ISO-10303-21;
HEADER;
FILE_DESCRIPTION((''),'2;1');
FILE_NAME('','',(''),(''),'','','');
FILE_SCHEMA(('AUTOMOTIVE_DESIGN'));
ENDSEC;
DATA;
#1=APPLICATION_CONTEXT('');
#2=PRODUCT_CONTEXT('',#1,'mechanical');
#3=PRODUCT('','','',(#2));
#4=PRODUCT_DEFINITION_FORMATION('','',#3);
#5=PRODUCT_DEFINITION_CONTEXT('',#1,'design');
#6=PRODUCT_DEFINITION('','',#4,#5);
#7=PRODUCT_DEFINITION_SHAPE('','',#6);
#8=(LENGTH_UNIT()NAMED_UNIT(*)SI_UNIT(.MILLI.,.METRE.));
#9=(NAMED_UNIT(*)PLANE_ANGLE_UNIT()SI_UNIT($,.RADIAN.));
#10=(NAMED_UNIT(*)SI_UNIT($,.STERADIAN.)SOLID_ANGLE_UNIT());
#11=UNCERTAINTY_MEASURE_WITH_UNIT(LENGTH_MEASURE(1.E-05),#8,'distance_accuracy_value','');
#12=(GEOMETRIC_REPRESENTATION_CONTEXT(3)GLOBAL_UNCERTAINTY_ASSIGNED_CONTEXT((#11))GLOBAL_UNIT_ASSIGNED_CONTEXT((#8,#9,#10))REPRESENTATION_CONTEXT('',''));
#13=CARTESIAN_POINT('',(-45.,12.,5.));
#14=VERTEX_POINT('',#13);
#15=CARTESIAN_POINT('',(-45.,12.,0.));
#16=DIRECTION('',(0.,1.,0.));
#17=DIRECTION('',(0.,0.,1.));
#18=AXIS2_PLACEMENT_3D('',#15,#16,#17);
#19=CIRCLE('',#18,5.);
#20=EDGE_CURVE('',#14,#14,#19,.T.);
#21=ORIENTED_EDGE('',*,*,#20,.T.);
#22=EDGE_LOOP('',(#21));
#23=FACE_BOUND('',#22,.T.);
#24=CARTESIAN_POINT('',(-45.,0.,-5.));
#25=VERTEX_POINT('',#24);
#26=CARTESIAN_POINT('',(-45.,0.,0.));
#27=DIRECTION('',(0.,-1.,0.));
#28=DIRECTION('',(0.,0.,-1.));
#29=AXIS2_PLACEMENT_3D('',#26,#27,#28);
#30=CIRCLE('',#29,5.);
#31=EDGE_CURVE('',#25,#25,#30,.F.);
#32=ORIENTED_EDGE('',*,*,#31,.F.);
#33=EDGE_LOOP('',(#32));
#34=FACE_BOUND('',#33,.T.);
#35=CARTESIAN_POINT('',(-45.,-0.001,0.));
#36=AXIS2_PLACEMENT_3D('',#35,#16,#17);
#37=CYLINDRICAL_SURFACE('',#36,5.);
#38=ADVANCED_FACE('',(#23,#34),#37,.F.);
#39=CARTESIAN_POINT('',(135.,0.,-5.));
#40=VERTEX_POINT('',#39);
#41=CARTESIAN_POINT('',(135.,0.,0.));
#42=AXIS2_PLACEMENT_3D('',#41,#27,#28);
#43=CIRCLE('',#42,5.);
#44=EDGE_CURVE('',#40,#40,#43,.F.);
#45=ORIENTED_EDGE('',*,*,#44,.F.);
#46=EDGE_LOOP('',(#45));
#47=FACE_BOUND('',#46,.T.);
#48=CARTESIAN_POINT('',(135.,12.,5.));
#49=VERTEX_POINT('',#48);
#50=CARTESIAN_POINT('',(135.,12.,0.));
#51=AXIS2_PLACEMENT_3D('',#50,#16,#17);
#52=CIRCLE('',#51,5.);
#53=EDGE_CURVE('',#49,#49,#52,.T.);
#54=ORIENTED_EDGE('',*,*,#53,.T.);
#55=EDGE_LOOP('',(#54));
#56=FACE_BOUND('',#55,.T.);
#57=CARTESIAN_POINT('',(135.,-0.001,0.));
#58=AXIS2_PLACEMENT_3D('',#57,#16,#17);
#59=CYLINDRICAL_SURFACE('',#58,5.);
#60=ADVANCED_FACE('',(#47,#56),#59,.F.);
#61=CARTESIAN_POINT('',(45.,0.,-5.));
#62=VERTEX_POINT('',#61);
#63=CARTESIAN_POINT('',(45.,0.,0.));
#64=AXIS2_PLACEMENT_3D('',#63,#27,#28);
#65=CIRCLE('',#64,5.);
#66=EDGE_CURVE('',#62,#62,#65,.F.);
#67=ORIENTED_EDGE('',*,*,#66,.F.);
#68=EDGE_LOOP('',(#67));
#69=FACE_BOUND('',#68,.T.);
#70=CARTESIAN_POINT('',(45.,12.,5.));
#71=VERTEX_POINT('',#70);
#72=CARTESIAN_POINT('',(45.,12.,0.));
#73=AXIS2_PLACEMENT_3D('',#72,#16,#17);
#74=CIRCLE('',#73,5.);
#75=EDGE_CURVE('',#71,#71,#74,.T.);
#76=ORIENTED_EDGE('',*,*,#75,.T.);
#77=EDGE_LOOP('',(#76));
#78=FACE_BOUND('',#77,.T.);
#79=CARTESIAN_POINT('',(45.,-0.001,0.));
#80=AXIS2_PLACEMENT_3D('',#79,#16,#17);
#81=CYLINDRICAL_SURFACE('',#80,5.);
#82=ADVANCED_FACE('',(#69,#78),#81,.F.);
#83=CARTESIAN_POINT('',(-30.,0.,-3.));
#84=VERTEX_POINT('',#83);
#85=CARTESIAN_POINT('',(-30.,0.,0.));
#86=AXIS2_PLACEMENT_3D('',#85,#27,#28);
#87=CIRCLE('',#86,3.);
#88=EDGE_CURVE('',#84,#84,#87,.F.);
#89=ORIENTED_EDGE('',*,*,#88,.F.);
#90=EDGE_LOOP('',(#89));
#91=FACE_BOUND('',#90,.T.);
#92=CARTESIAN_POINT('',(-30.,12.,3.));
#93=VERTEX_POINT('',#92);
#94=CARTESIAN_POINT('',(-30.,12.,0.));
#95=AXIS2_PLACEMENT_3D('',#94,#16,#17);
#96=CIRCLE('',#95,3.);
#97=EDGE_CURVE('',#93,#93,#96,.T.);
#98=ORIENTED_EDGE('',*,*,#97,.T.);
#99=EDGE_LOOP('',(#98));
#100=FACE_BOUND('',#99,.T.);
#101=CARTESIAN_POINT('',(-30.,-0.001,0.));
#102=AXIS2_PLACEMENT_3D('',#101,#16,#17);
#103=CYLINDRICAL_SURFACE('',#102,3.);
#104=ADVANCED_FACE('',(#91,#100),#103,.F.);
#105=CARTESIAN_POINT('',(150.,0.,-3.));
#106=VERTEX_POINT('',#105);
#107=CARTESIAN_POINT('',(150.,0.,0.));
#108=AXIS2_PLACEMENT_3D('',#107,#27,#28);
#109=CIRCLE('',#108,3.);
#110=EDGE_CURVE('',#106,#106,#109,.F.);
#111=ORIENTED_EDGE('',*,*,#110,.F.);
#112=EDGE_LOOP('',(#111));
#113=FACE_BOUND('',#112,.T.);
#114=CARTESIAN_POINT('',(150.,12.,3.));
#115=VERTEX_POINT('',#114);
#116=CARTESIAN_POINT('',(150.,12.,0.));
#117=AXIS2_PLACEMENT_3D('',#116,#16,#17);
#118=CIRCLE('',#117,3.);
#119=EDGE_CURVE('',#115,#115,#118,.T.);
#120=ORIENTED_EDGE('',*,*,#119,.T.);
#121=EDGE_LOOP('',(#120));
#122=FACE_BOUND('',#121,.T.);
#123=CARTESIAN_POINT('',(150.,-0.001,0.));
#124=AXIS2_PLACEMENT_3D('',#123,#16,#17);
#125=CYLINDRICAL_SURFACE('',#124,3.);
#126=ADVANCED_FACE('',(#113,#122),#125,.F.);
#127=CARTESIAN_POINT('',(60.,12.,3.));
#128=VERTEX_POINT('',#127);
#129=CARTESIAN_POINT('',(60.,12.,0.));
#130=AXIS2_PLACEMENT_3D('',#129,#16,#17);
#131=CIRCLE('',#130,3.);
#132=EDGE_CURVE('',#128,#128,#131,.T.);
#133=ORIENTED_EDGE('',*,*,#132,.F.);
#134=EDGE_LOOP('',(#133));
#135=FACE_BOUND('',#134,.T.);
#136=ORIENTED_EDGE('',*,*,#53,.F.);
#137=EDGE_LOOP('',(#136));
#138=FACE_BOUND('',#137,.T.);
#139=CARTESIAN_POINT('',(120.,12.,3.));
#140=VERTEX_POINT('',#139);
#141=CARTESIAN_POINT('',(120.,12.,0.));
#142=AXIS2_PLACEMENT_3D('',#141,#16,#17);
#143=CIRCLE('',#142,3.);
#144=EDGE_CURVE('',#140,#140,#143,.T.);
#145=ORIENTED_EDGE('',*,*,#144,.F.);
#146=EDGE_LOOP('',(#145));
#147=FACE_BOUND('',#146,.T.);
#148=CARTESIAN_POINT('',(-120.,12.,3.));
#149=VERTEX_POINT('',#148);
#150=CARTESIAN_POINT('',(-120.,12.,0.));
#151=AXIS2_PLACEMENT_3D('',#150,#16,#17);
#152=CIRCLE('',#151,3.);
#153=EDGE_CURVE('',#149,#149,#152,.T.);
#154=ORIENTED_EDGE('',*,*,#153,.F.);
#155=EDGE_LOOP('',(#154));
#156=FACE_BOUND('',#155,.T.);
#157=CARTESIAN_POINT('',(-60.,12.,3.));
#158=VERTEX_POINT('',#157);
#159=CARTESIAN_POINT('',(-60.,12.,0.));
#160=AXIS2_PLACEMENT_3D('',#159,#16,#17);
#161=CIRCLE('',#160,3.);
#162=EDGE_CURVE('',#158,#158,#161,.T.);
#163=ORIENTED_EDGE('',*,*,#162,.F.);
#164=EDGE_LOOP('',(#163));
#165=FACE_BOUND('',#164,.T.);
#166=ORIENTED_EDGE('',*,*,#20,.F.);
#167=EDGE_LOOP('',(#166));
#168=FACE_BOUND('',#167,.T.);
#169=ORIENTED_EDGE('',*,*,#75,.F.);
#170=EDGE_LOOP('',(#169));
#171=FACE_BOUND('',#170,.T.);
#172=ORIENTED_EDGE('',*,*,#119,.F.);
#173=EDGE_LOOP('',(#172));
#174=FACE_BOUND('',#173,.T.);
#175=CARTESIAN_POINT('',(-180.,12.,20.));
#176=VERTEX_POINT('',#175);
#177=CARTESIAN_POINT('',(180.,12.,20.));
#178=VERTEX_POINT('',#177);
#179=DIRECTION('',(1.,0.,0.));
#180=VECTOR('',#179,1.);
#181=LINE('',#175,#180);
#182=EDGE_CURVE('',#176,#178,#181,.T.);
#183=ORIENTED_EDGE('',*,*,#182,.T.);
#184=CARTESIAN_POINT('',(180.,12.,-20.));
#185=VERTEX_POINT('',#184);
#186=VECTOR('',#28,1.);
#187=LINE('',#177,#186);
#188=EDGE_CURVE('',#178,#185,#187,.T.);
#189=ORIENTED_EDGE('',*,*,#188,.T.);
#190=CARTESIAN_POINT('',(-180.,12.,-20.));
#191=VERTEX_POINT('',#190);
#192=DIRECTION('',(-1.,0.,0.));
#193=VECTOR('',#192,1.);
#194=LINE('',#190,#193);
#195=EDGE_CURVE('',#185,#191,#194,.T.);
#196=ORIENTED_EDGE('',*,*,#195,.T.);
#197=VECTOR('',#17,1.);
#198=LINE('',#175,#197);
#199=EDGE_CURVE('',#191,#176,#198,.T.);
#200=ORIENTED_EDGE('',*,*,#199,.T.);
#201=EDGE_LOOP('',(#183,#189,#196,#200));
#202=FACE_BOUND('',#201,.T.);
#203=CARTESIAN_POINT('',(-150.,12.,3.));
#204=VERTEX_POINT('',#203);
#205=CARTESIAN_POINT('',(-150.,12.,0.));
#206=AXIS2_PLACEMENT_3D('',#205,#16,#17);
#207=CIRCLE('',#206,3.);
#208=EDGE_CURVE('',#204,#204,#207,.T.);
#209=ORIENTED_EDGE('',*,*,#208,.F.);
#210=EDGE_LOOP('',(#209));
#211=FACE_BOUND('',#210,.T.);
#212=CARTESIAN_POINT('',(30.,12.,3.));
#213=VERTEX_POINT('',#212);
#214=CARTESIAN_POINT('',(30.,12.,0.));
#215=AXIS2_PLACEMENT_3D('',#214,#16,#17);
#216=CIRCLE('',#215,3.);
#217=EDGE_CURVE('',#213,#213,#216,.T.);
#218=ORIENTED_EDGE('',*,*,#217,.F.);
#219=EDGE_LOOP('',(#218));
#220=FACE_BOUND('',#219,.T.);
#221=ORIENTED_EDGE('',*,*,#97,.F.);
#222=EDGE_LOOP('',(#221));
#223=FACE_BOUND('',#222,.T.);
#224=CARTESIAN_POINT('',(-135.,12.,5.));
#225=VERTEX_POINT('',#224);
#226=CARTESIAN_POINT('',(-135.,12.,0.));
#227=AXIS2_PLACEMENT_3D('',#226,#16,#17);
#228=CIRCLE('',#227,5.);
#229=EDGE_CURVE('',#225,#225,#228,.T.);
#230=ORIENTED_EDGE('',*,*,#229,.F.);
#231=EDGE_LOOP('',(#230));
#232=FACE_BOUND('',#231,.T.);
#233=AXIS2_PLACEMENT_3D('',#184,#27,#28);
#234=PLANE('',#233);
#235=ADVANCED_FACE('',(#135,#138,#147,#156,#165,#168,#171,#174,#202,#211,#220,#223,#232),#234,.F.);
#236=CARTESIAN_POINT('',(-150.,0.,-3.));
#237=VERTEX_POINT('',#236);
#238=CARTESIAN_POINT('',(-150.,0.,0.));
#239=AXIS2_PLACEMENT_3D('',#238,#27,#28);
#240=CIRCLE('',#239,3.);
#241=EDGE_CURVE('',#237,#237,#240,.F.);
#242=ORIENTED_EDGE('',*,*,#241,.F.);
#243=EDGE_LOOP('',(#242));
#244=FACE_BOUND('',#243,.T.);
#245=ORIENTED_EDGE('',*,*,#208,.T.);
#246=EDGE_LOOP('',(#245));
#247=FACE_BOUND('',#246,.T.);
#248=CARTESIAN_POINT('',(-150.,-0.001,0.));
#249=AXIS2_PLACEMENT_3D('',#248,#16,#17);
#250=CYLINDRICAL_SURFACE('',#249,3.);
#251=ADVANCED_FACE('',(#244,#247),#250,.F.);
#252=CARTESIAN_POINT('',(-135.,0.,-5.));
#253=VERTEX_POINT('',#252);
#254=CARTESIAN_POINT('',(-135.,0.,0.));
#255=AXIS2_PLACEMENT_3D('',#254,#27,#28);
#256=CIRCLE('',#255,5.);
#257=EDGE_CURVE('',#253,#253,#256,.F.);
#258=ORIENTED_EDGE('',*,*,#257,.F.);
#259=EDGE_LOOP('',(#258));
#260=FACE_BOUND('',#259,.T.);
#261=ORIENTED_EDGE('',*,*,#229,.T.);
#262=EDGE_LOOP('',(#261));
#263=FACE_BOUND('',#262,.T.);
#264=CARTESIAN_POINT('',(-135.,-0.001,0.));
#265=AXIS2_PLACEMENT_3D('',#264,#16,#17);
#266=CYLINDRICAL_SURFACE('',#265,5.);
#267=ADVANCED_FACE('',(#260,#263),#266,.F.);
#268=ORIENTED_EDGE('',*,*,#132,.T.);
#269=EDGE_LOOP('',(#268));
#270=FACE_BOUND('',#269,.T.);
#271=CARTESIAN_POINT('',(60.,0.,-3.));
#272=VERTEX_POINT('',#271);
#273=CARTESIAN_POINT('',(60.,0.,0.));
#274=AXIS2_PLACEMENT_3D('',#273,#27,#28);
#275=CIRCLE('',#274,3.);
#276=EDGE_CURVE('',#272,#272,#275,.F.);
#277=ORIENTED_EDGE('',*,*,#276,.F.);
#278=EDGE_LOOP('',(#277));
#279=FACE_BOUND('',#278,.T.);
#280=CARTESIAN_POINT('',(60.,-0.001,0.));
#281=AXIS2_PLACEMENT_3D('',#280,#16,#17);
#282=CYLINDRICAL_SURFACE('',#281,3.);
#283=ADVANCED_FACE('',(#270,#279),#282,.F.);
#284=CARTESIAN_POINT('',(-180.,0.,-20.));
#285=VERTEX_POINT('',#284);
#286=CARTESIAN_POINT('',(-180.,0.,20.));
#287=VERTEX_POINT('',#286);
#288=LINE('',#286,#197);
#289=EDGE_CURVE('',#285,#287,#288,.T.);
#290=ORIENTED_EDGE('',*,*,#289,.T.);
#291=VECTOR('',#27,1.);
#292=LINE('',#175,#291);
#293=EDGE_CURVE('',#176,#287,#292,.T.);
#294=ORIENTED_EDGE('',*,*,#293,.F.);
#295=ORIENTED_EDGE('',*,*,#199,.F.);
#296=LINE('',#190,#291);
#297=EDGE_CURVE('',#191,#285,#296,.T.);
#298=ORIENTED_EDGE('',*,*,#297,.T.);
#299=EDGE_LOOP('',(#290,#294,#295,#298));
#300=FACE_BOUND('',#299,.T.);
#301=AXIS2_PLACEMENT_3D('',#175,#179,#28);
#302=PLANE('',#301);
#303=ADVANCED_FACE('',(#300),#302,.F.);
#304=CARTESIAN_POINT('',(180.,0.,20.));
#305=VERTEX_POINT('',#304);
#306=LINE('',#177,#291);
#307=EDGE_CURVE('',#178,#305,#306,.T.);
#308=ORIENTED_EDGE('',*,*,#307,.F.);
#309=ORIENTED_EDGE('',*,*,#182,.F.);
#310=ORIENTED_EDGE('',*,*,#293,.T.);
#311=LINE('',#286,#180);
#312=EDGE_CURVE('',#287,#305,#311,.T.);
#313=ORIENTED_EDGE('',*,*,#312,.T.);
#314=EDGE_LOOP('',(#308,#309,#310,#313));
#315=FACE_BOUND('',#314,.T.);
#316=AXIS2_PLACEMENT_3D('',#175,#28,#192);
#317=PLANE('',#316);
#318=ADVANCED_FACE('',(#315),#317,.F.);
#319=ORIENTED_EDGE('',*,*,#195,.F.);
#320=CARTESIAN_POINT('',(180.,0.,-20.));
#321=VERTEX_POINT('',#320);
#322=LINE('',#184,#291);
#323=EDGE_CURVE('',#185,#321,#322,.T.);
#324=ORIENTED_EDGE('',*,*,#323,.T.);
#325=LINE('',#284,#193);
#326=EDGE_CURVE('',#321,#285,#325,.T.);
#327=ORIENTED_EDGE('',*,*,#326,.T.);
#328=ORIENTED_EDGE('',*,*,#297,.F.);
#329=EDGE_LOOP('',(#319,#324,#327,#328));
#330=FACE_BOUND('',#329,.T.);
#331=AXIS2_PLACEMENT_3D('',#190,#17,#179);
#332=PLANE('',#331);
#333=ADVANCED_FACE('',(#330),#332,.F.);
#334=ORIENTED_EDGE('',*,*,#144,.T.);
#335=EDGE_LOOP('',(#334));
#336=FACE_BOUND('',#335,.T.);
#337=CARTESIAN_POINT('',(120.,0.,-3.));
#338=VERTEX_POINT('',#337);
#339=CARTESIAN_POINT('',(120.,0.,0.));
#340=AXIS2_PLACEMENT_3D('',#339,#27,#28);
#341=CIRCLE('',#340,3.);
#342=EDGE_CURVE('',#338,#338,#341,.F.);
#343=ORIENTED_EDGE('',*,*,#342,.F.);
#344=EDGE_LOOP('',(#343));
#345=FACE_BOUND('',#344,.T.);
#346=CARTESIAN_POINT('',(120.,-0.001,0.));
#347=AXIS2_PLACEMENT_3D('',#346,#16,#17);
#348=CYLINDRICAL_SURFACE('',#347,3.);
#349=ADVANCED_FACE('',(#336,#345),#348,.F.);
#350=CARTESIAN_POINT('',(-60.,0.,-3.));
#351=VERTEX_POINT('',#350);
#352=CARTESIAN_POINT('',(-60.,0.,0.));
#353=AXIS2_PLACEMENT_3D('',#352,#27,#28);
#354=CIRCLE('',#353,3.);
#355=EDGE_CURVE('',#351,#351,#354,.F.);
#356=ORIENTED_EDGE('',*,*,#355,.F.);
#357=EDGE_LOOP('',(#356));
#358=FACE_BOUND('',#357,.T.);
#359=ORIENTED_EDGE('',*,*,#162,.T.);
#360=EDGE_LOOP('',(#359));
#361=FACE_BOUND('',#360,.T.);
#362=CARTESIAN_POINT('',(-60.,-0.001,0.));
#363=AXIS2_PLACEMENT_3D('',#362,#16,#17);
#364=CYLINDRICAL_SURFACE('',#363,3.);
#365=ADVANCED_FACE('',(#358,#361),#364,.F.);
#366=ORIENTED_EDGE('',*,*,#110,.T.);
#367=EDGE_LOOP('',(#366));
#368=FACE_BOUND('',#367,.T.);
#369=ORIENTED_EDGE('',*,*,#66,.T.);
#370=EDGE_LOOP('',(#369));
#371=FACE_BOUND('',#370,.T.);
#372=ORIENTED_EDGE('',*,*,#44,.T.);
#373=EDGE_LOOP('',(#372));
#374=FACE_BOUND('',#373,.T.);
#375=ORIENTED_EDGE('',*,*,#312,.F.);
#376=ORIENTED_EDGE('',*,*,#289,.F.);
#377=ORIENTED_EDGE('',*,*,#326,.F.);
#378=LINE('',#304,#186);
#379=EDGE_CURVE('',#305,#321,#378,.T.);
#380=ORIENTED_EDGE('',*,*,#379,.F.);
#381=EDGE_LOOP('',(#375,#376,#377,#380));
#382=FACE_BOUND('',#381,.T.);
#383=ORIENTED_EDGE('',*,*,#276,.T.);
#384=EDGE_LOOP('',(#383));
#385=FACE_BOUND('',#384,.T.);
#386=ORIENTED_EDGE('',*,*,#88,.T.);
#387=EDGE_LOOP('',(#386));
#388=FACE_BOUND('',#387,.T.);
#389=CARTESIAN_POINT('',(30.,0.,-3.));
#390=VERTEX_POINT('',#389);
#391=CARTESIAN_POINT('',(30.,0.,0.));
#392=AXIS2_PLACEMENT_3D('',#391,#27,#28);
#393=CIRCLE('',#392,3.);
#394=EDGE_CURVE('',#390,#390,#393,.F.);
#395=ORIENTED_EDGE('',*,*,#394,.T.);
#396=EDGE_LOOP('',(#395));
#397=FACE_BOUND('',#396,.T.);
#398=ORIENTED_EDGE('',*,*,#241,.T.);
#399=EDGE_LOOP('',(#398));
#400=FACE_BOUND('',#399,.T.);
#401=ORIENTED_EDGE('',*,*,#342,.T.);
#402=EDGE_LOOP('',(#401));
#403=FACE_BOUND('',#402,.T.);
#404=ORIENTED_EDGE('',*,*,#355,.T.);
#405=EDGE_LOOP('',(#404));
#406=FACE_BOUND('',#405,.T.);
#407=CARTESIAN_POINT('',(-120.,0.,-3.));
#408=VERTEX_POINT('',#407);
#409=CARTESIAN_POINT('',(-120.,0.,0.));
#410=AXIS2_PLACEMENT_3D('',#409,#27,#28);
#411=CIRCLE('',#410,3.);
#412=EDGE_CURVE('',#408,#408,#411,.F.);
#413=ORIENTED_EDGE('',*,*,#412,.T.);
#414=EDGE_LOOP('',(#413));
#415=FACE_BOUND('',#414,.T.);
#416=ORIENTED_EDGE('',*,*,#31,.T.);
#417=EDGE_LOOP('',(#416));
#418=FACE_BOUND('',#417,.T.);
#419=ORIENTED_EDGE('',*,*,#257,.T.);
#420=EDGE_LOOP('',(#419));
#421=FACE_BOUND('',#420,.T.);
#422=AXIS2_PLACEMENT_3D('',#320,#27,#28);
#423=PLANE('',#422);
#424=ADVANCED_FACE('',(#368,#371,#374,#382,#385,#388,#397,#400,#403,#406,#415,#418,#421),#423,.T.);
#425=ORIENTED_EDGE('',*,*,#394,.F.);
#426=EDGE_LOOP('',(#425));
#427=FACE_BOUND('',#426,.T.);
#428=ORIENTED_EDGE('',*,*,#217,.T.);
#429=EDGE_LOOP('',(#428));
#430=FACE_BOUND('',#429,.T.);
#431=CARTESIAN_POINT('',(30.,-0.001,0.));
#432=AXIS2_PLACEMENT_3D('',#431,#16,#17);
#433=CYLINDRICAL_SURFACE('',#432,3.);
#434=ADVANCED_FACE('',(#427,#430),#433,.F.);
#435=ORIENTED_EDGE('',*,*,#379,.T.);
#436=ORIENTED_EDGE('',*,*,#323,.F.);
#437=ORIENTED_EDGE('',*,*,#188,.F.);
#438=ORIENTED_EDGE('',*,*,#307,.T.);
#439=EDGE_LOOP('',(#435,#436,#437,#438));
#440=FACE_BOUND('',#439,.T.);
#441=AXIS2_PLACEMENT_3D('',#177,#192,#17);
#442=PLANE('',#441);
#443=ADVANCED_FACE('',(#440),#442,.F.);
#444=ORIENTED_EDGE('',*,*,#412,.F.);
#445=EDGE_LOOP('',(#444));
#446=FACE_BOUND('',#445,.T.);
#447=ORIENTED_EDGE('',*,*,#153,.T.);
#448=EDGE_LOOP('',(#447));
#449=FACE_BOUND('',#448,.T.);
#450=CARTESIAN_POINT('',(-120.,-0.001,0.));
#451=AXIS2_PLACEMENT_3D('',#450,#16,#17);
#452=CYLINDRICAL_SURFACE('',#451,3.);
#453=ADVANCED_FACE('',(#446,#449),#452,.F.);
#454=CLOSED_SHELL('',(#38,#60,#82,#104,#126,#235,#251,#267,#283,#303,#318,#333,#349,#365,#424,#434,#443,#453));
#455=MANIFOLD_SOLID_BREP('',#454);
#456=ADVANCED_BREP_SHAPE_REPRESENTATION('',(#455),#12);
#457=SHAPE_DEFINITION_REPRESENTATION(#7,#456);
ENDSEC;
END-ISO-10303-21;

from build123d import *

# Parameters (mm, degrees)
SKETCH1_W           = 360
SKETCH1_H           = 40
BOSS_EXTRUDE1_DEPTH = 12
CUT_EXTRUDE1_REACH  = 183.505
SKETCH2_R           = 3
SKETCH2_R_2         = 5
LPATTERN1_COUNT     = 4
LPATTERN1_PITCH     = 90


with BuildPart() as part:
    # Sketch1 → Boss-Extrude1 (new body)
    with BuildSketch(Plane(origin=(0, 0, 0), x_dir=(1, 0, 0), z_dir=(0, 1, 0))):
        Rectangle(SKETCH1_W, SKETCH1_H)
    extrude(amount=BOSS_EXTRUDE1_DEPTH)

    # Sketch2 → Cut-Extrude1 (cut, up to next)
    with BuildSketch(Plane(origin=(0, 12, 0), x_dir=(1, 0, 0), z_dir=(0, 1, 0)), mode=Mode.PRIVATE) as cut_extrude1_sk1:
        with Locations(Location((-150, 0, 0), (0, 0, 270))):
            Circle(SKETCH2_R)
    cut_extrude1_tool1 = extrude(cut_extrude1_sk1.sketch, amount=-CUT_EXTRUDE1_REACH, mode=Mode.PRIVATE) & part.part
    # Sketch2 → Cut-Extrude1 (cut, up to next)
    with BuildSketch(Plane(origin=(0, 12, 0), x_dir=(1, 0, 0), z_dir=(0, 1, 0)), mode=Mode.PRIVATE) as cut_extrude1_sk2:
        with Locations(Location((-120, 0, 0), (0, 0, 270))):
            Circle(SKETCH2_R)
    cut_extrude1_tool2 = extrude(cut_extrude1_sk2.sketch, amount=-CUT_EXTRUDE1_REACH, mode=Mode.PRIVATE) & part.part
    # Sketch2 → Cut-Extrude1 (cut, up to next)
    with BuildSketch(Plane(origin=(0, 12, 0), x_dir=(1, 0, 0), z_dir=(0, 1, 0)), mode=Mode.PRIVATE) as cut_extrude1_sk3:
        with Locations(Location((-135, 0, 0), (0, 0, 270))):
            Circle(SKETCH2_R_2)
    cut_extrude1_tool3 = extrude(cut_extrude1_sk3.sketch, amount=-CUT_EXTRUDE1_REACH, mode=Mode.PRIVATE) & part.part
    cut_extrude1_1 = cut_extrude1_tool1.solids().sort_by_distance((-150, 12, 0))[0]
    add(cut_extrude1_1, mode=Mode.SUBTRACT)
    cut_extrude1_2 = cut_extrude1_tool2.solids().sort_by_distance((-120, 12, 0))[0]
    add(cut_extrude1_2, mode=Mode.SUBTRACT)
    cut_extrude1_3 = cut_extrude1_tool3.solids().sort_by_distance((-135, 12, 0))[0]
    add(cut_extrude1_3, mode=Mode.SUBTRACT)
    cut_extrude1 = cut_extrude1_1 + cut_extrude1_2 + cut_extrude1_3  # Cut-Extrude1 as one shape, for the pattern or mirror that repeats it

    # LPattern1: Cut-Extrude1 ×4
    with Locations(*[(i * LPATTERN1_PITCH, 0, 0) for i in range(1, LPATTERN1_COUNT)]):
        add(cut_extrude1, mode=Mode.SUBTRACT)


solid = part.part
